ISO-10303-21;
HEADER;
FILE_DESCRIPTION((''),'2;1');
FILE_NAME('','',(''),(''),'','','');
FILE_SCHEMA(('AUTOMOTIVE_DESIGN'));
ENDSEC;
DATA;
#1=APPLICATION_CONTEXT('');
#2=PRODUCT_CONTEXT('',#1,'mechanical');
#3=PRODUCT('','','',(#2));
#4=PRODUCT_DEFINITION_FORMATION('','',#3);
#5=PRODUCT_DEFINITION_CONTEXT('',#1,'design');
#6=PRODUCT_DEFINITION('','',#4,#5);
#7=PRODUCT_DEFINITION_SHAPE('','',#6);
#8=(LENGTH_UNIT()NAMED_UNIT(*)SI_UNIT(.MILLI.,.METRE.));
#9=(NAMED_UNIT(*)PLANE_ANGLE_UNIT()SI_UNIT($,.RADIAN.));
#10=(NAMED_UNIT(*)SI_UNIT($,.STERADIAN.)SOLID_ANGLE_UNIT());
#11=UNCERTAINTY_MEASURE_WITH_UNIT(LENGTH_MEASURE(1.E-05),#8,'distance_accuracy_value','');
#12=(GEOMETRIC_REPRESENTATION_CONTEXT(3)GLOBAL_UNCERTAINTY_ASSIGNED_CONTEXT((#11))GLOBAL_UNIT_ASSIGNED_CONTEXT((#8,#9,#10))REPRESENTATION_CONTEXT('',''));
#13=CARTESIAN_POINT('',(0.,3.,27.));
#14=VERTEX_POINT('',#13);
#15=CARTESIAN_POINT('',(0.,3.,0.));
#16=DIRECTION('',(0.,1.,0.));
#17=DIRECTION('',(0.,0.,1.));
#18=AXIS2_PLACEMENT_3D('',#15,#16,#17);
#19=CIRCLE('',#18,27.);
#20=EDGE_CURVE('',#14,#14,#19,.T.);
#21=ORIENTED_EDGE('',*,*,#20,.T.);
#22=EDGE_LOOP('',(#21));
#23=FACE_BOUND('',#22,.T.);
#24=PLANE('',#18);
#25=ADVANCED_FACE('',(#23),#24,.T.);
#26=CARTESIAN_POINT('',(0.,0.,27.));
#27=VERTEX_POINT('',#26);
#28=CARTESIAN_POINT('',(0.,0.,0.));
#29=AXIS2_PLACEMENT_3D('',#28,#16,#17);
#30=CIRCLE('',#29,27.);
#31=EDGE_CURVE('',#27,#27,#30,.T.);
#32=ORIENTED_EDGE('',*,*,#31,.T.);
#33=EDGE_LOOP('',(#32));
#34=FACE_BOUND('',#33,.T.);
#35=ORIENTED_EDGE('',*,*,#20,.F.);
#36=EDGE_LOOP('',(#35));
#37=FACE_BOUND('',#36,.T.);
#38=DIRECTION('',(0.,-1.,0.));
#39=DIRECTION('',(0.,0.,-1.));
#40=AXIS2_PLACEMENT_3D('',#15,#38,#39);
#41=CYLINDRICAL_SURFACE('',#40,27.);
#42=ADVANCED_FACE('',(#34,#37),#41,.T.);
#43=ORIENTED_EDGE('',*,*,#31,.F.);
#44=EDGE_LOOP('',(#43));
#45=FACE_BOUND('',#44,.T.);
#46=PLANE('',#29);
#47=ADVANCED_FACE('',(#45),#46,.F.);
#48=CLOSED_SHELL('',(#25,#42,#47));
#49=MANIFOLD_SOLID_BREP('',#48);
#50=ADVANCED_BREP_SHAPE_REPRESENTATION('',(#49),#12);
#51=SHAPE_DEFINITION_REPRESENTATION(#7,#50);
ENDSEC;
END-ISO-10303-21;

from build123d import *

# Parameters (mm, degrees)
SKETCH1_R           = 27
BOSS_EXTRUDE1_DEPTH = 3


with BuildPart() as part:
    # Sketch1 → Boss-Extrude1 (new body)
    with BuildSketch(Plane(origin=(0, 0, 0), x_dir=(1, 0, 0), z_dir=(0, 1, 0))):
        Circle(SKETCH1_R)
    extrude(amount=BOSS_EXTRUDE1_DEPTH)


solid = part.part
